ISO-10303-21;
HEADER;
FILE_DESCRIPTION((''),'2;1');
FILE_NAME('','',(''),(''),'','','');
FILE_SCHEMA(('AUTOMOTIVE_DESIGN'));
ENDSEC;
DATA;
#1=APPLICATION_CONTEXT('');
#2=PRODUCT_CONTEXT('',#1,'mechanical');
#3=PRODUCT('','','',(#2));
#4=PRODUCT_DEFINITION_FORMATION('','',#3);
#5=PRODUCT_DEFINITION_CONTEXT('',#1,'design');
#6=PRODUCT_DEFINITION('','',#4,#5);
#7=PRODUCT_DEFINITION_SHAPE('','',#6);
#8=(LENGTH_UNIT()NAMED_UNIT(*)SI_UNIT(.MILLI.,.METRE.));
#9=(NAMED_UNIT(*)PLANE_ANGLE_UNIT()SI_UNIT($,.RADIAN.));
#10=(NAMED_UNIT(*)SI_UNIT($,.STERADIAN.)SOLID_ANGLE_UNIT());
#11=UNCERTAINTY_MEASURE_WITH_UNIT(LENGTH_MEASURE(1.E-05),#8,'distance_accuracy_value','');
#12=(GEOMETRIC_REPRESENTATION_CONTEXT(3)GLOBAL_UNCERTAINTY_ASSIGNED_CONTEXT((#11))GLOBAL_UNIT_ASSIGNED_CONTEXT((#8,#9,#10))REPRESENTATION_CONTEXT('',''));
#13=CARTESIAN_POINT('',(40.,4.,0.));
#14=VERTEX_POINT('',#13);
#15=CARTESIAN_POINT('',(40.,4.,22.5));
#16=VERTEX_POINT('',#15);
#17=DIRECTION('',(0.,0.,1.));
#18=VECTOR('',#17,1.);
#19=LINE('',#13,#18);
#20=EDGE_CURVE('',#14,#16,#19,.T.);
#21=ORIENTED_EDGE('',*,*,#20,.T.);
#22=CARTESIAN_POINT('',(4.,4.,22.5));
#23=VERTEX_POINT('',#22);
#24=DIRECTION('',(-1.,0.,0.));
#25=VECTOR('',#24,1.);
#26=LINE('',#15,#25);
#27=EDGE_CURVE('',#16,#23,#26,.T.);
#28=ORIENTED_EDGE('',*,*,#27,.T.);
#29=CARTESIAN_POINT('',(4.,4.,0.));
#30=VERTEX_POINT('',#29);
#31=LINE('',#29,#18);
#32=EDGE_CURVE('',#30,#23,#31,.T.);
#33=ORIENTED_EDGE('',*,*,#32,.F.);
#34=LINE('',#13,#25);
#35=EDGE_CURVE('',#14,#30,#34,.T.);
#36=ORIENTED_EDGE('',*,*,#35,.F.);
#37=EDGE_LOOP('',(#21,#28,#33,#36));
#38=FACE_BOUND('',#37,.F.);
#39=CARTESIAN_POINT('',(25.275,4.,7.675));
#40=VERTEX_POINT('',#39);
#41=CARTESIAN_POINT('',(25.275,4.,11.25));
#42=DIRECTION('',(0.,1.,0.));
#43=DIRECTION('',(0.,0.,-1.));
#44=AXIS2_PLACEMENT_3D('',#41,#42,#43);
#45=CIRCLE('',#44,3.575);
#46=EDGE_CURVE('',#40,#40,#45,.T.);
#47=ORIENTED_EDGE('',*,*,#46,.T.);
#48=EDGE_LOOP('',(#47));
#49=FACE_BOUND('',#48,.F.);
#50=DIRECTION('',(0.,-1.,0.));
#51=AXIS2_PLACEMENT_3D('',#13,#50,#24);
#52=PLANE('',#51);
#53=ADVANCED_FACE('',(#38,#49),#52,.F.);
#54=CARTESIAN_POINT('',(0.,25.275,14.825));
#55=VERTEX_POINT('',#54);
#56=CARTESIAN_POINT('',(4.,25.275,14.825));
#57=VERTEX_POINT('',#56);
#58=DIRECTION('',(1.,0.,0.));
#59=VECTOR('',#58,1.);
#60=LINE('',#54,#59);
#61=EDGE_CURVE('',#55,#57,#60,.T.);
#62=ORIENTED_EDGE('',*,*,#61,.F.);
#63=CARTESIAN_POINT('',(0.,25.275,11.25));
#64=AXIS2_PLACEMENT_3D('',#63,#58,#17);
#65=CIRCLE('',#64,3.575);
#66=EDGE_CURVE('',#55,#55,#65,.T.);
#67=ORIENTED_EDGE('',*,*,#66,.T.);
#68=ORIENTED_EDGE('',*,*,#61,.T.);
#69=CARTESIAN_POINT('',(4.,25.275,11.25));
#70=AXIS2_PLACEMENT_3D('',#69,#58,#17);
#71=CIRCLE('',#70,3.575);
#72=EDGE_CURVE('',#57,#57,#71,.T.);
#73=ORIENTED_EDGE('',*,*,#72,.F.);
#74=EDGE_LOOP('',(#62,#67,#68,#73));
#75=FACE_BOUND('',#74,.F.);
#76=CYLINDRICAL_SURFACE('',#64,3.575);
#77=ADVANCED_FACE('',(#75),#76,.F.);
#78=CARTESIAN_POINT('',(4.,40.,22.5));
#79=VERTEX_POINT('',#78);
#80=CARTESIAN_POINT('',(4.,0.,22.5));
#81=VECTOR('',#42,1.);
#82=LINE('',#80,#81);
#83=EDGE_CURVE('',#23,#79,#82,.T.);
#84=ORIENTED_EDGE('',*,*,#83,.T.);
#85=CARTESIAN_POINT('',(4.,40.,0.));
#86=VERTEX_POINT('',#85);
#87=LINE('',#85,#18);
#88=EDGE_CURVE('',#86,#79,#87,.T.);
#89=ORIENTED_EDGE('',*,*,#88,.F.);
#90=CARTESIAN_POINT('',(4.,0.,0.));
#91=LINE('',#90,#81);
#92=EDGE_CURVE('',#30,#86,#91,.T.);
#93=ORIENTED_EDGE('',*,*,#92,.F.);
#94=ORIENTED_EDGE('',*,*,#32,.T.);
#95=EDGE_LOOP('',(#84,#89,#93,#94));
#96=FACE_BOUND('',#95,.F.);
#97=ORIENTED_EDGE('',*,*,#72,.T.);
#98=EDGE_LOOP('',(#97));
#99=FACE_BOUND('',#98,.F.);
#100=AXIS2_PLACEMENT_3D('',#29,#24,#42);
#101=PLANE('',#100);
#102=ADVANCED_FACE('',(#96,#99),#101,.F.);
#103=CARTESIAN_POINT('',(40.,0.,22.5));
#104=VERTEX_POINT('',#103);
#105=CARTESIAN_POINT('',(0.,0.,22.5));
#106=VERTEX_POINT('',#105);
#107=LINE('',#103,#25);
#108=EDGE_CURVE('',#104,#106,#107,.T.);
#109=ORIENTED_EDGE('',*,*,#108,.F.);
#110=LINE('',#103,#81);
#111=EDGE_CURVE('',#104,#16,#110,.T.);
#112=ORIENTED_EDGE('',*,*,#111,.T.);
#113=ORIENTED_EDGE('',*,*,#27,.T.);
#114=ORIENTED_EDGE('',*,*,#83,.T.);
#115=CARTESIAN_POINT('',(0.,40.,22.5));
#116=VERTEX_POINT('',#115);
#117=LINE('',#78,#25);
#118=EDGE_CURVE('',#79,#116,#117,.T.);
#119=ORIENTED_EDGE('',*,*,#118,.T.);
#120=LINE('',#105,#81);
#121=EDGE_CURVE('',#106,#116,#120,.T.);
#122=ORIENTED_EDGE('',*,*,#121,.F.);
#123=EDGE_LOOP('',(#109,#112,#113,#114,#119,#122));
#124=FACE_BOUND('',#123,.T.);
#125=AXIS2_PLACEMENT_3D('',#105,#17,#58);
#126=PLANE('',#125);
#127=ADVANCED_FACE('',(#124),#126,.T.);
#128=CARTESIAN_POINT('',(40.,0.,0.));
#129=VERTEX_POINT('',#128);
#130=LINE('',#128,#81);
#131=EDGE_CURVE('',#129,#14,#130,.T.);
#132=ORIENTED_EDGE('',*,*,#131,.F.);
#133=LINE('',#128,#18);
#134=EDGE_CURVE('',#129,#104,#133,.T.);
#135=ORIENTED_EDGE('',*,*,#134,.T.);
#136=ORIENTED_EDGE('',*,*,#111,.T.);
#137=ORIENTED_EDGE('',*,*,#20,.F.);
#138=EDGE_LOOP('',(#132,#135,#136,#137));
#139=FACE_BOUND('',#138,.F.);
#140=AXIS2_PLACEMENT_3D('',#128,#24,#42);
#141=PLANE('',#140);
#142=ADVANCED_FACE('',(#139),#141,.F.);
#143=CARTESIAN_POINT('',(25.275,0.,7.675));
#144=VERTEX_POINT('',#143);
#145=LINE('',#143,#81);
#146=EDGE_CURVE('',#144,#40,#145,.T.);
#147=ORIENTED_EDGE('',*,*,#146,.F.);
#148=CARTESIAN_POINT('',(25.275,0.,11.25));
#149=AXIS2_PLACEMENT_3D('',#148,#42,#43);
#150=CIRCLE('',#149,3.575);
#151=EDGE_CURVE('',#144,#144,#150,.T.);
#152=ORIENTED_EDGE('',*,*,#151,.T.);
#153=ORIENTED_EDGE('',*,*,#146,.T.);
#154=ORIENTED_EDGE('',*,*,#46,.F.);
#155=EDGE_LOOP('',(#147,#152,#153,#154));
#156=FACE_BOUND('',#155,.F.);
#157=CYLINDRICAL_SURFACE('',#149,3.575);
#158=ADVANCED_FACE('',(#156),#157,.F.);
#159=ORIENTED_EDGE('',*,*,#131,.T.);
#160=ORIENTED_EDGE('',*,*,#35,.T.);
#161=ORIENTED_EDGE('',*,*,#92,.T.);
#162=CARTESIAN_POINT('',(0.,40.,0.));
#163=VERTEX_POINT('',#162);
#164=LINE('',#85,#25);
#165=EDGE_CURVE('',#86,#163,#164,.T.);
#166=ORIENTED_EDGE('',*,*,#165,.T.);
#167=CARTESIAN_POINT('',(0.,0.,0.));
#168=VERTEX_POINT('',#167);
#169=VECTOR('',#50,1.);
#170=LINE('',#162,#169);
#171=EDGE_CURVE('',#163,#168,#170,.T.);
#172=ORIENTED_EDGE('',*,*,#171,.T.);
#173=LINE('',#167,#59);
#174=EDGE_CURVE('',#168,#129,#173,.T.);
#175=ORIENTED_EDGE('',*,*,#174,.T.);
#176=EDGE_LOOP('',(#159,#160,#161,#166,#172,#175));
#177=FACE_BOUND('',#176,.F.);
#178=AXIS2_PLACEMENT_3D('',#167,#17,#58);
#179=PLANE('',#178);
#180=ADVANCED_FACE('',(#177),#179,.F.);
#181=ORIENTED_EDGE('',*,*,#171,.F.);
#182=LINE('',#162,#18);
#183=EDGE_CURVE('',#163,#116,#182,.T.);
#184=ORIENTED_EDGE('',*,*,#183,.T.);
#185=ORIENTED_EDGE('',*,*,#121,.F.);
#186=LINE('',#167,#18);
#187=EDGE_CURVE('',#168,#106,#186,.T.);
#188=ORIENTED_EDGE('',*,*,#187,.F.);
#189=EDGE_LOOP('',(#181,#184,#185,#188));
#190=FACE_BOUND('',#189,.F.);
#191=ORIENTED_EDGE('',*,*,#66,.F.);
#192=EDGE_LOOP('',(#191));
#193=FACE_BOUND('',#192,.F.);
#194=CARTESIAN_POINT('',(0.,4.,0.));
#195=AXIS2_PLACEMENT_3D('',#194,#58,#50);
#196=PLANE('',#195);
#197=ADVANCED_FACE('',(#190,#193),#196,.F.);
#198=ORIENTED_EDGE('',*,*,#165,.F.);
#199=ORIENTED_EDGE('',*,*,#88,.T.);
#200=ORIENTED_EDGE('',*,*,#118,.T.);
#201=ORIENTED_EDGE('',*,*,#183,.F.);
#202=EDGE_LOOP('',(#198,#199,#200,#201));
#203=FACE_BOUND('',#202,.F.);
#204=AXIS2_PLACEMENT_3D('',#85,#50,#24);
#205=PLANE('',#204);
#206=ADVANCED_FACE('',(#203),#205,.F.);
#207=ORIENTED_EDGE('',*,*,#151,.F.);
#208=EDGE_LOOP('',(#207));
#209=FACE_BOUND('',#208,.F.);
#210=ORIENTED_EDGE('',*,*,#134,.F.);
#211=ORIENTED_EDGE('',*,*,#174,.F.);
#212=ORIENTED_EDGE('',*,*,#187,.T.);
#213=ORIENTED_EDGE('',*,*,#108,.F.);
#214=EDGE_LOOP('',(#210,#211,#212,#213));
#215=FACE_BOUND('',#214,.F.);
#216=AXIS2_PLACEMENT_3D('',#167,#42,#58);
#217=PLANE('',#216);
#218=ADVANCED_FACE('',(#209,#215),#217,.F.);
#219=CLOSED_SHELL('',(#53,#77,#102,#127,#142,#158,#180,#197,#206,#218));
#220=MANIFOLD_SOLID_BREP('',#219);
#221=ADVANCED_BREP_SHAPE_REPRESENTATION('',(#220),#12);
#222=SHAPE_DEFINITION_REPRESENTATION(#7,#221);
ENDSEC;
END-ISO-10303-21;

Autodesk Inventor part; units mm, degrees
ref_plane "YZ Plane" through (0, 0, 0) normal (1, 0, 0) x (0, 1, 0)
ref_plane "XZ Plane" through (0, 0, 0) normal (0, 1, 0) x (-1, 0, 0)
ref_plane "XY Plane" through (0, 0, 0) normal (0, 0, 1) x (1, 0, 0)
sketch "Sketch2" plane through (0, 0, 0) normal (0, 0, 1) x (1, 0, 0)
  line L0 (0, 0) -> (40, 0)
  line L1 (40, 0) -> (40, 4)
  line L2 (40, 4) -> (0, 4)
  line L3 (0, 4) -> (0, 0)
  line L4 (0, 0) -> (4, 0)
  line L5 (4, 0) -> (4, 40)
  line L6 (4, 40) -> (0, 40)
  line L7 (0, 40) -> (0, 0)
  point P0 (4, 4)
  point P1 (0, 4)
  dimension "d0" = 40
  dimension "d1" = 40
  dimension "d2" = 4
  dimension "d3" = 4
extrude "Extrusion1" add sketch "Sketch2" along normal blind 22.5
sketch "Sketch3" plane through (0, 0, 0) normal (0, -1, 0) x (1, 0, 0)
  circle A0 centre (25.275, 11.25) radius 5.756
  line L0 (0, 22.5) -> (40, 22.5) projected
  line L1 (0, 0) -> (0, 22.5) projected
  dimension "d6" = 11.25
  dimension "d7" = 25.275
sketch "Sketch4" plane through (0, 0, 0) normal (-1, 0, 0) x (0, 0, 1)
  circle A0 centre (11.25, 25.275) radius 7.6084
  line L0 (22.5, 40) -> (22.5, 0) projected
  line L1 (0, 0) -> (22.5, 0) projected
  line L2 (0, 40) -> (22.5, 40) projected
  dimension "d8" = 11.25
  dimension "d9" = 25.275
  dimension "d24" = 14.725
hole "Hole1" at (0, 25.275, 11.25) direction (1, 0, 0) diameter 7.15 depth 5
hole "Hole2" at (25.275, 0, 11.25) direction (0, 1, 0) diameter 7.15 depth 5
properties part number "Lbracket"
